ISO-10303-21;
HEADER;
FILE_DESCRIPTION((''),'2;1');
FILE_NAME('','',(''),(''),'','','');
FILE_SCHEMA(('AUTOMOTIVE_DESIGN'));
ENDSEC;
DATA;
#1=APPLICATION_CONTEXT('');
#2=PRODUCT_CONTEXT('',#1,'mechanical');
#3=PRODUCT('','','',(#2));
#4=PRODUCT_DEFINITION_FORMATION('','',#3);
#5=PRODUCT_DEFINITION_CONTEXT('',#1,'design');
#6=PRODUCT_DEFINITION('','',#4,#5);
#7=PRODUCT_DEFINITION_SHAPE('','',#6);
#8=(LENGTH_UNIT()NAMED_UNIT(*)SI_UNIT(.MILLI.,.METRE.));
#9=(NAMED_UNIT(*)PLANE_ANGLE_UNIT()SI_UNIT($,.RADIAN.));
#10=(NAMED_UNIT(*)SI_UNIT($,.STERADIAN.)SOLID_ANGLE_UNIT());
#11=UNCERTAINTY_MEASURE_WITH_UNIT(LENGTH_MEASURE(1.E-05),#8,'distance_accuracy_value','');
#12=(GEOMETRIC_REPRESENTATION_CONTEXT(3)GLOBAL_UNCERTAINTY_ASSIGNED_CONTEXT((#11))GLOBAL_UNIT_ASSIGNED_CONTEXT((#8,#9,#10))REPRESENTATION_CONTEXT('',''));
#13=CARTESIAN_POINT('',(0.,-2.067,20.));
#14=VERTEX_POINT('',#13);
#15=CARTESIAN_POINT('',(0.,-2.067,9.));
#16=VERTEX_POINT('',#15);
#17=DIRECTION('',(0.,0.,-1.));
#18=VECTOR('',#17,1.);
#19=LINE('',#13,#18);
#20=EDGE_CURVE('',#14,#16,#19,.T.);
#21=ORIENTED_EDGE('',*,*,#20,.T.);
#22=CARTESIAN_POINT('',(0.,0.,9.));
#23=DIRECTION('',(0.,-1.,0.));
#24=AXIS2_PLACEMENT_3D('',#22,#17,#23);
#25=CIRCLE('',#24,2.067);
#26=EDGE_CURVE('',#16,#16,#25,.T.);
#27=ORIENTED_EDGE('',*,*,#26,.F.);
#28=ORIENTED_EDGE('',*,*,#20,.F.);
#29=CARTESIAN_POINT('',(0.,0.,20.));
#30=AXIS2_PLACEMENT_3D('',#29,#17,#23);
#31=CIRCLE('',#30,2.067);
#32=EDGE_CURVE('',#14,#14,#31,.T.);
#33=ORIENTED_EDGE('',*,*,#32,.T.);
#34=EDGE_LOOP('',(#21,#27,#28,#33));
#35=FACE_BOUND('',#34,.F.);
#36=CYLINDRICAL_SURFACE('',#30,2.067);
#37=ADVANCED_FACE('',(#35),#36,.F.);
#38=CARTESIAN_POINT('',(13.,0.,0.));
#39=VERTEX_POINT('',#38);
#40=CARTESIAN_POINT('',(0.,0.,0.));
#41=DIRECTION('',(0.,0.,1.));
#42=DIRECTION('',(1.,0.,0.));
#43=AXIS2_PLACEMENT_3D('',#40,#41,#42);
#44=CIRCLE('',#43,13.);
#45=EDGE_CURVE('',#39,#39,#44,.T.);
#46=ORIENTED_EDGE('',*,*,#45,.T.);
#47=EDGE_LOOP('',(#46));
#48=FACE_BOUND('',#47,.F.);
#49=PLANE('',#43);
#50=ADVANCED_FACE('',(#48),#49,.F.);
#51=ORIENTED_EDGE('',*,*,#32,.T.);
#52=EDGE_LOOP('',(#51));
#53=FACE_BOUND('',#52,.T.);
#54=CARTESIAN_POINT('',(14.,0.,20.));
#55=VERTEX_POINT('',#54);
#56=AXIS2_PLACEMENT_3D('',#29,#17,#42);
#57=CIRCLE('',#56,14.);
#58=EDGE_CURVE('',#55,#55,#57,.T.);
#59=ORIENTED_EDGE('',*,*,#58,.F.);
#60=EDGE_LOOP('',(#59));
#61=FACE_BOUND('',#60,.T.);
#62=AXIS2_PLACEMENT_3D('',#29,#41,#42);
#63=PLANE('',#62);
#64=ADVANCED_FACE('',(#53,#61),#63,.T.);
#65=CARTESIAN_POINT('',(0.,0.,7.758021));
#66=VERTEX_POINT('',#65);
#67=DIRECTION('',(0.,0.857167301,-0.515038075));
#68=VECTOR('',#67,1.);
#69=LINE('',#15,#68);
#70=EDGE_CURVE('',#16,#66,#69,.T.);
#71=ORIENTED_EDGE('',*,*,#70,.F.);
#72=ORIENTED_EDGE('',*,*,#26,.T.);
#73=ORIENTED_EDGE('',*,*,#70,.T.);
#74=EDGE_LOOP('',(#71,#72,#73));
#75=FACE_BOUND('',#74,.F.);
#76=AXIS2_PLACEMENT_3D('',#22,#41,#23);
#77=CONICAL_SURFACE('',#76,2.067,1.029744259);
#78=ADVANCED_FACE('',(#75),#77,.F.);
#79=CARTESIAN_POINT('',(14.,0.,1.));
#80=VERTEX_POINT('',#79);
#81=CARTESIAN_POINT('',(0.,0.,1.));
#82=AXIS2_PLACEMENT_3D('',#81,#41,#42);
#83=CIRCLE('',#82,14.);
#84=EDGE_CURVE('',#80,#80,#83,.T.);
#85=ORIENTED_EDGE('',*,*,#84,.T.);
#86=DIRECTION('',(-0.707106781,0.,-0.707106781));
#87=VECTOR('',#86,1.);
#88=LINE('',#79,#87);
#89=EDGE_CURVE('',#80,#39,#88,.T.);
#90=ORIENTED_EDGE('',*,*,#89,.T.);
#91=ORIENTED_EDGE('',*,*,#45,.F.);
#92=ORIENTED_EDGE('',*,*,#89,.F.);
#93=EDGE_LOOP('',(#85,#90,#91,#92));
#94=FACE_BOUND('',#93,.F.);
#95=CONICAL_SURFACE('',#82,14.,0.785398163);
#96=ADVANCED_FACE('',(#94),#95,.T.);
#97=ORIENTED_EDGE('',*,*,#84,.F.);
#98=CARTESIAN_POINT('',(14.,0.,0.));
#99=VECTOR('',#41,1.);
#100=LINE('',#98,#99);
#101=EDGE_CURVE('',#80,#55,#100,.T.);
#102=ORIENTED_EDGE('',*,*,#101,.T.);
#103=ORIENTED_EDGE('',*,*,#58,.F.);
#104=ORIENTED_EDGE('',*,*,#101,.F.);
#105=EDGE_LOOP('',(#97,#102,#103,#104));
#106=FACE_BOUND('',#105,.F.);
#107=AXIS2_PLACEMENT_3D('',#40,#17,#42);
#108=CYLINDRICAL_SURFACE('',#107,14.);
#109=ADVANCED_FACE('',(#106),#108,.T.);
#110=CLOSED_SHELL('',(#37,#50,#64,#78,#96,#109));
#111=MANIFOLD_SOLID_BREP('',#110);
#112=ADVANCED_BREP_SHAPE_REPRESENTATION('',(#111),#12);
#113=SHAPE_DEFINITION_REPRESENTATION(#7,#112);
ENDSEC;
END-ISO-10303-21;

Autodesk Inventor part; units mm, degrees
ref_plane "YZ Plane" through (0, 0, 0) normal (1, 0, 0) x (0, 1, 0)
ref_plane "XZ Plane" through (0, 0, 0) normal (0, 1, 0) x (-1, 0, 0)
ref_plane "XY Plane" through (0, 0, 0) normal (0, 0, 1) x (1, 0, 0)
sketch "Skizze1" plane through (0, 0, 0) normal (0, 0, 1) x (1, 0, 0)
  line L0 (-19.6, 0) -> (19.6, 0) projected
  line L1 (0, -19.6) -> (0, 19.6) projected
  circle A0 centre (0, 0) radius 14
  dimension "d0" = 28
extrude "Extrusion1" add sketch "Skizze1" along normal blind 20
chamfer "Fase1" distance 1 angle 45 1 edges at (-14, 0, 0)
sketch "Skizze2" plane through (0, 0, 20) normal (0, 0, 1) x (1, 0, 0)
  point P0 (0, 0)
  point P1 (0, 0)
hole "Bohrung1" at (0, 0, 20) direction (0, 0, -1) diameter 4.134 depth 11 tip angle 118 thread size "M5x0.8" class "6H" standard "ISO Metric profile"
properties part number "Gummistopl groß" material "Stahl"
